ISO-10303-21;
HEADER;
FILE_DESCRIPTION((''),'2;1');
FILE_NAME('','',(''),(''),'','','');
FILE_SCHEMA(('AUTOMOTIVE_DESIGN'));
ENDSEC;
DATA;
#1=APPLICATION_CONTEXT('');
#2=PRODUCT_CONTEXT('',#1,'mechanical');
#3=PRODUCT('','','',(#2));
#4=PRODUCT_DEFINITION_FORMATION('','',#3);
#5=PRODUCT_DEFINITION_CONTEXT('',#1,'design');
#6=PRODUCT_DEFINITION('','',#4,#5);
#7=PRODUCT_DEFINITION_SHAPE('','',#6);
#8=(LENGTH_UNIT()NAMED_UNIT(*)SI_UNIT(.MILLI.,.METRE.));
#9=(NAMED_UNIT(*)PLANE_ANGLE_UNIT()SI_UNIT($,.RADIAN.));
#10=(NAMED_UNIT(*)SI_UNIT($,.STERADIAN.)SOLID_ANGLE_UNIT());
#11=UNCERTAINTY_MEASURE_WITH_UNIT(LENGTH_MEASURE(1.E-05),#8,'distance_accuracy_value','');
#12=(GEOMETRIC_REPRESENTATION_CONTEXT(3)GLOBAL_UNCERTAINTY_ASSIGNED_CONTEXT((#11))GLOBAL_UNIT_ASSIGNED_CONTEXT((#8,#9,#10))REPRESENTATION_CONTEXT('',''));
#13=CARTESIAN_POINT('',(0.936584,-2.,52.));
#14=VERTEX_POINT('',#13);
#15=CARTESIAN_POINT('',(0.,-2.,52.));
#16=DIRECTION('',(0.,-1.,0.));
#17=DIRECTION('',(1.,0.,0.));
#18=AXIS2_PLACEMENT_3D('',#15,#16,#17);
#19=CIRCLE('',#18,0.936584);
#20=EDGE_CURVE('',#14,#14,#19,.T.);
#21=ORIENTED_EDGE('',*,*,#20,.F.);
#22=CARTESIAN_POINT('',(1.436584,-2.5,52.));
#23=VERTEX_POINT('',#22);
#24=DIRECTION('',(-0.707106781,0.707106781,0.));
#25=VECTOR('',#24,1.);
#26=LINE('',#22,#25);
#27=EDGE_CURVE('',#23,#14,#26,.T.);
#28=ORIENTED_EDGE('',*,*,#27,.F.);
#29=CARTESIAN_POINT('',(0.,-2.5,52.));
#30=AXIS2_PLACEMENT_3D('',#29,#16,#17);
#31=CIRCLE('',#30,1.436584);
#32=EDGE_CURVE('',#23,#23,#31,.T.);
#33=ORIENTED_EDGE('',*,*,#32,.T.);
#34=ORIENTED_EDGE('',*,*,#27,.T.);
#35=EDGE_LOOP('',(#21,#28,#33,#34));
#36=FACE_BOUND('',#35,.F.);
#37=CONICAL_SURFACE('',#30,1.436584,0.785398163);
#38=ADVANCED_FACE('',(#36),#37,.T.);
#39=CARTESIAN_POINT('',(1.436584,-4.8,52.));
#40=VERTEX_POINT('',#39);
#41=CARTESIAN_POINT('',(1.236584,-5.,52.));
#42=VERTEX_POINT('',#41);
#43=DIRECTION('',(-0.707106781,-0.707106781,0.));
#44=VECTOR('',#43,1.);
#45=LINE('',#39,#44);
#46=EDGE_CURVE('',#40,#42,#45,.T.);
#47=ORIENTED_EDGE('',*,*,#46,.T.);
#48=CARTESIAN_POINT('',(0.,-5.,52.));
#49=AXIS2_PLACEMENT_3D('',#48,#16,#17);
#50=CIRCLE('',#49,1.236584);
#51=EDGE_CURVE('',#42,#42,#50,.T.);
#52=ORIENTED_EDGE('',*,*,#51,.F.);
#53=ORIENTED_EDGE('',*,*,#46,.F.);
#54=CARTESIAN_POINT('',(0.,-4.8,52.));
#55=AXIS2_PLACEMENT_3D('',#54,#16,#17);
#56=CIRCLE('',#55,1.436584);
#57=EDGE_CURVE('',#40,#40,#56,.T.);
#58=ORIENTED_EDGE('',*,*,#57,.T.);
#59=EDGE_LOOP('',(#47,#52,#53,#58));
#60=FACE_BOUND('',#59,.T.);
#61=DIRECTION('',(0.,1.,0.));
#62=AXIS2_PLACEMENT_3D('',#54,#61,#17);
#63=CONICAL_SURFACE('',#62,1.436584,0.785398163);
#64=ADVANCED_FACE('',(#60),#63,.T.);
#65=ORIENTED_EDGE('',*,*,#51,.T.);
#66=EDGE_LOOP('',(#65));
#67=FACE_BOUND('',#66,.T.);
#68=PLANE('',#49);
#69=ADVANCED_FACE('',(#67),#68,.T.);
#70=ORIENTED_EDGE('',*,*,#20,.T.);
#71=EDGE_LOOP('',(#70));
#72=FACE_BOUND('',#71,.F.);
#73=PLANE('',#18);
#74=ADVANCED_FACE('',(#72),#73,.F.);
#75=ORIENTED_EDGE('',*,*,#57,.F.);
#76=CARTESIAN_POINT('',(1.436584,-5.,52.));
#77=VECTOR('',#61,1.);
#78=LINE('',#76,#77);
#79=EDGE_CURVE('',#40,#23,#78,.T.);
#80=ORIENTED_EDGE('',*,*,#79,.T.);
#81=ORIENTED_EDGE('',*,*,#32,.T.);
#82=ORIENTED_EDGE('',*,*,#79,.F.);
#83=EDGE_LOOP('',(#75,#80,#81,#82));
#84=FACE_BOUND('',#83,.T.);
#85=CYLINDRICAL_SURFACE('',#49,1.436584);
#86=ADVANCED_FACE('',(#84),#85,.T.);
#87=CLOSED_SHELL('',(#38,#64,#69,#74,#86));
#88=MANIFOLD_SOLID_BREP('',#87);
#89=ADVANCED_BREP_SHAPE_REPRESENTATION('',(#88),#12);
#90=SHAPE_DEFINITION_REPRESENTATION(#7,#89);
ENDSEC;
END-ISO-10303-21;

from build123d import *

# Parameters (mm, degrees)
SKETCH014_R     = 1.436584
PAD008_DEPTH    = 3
CHAMFER003_SIZE = 0.5
CHAMFER004_SIZE = 0.2


with BuildPart() as part:
    # Sketch014 → Pad008 (new body)
    with BuildSketch(Plane(origin=(0, -5, 52), x_dir=(1, 0, 0), z_dir=(0, -1, 0))):
        Circle(SKETCH014_R)
    extrude(amount=-PAD008_DEPTH)

    # Chamfer003
    chamfer003_edges = [part.edges().sort_by_distance(p)[0] for p in [
        (-1.436584, -2, 52),
    ]]
    chamfer(chamfer003_edges, length=CHAMFER003_SIZE)

    # Chamfer004
    chamfer004_edges = [part.edges().sort_by_distance(p)[0] for p in [
        (-1.436584, -5, 52),
    ]]
    chamfer(chamfer004_edges, length=CHAMFER004_SIZE)


solid = part.part
